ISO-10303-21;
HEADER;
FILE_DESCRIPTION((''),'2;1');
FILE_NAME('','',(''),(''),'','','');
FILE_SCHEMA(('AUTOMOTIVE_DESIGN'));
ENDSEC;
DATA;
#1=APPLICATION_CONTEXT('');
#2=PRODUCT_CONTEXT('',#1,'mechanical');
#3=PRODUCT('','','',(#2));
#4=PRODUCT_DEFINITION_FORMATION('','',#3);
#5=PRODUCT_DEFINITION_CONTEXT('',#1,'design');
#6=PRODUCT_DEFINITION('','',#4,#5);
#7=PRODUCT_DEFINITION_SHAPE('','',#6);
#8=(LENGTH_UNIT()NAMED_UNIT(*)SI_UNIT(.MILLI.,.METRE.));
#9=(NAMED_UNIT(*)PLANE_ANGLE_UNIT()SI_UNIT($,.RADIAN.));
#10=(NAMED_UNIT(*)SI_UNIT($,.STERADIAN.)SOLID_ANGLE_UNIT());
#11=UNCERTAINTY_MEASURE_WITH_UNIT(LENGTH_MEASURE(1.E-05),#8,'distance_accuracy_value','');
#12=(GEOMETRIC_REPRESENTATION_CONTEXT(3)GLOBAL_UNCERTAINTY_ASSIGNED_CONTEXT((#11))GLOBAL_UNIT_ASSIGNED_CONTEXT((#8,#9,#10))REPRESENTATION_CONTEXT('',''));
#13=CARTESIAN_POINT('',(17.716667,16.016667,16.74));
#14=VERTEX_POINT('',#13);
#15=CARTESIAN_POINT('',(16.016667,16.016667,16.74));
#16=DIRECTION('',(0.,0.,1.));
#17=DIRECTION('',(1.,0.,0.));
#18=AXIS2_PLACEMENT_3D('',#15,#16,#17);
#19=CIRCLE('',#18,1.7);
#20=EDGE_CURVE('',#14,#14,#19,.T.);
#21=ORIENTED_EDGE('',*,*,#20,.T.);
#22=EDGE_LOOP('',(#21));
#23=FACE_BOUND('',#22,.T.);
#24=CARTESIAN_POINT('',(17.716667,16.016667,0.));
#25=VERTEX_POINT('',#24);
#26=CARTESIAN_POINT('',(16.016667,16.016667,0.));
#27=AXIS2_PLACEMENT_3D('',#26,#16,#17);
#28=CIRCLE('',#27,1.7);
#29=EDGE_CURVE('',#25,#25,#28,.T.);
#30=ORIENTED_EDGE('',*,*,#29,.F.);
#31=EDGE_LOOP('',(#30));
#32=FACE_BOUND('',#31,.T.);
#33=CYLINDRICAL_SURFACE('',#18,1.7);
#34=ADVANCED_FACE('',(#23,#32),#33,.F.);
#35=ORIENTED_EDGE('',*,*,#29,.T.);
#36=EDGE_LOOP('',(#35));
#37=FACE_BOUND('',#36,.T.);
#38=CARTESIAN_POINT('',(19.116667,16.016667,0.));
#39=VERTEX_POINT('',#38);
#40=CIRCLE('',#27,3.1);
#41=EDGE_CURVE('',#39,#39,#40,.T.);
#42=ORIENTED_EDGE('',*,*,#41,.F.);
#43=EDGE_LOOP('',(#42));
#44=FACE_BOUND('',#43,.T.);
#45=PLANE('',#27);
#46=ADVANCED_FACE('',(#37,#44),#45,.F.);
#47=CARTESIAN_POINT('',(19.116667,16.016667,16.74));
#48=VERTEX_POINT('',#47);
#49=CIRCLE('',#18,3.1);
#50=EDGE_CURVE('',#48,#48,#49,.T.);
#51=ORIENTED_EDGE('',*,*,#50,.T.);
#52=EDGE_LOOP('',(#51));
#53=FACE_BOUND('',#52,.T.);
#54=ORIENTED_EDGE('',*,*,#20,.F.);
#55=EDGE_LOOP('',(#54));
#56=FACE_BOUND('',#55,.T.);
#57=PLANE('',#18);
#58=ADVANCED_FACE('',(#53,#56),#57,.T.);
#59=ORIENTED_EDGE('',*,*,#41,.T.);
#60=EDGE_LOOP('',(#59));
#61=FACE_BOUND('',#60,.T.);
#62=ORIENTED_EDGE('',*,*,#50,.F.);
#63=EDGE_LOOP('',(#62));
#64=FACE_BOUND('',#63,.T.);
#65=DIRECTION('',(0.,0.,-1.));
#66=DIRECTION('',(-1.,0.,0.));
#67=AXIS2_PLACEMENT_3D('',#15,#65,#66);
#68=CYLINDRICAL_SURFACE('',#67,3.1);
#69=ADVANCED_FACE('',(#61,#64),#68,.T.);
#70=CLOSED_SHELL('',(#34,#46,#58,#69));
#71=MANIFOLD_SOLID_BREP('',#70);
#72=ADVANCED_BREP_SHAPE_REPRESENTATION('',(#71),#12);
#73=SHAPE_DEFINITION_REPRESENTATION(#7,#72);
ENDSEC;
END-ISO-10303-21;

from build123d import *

# Parameters (mm, degrees)
ESBO_O1_R                = 3.1
ESBO_O1_R_2              = 1.55
RESSALTO_EXTRUS_O1_DEPTH = 16.74
M3_CLEARANCE_HOLE1_D     = 3.4


with BuildPart() as part:
    # Esboço1 → Ressalto-extrusão1 (new body)
    with BuildSketch(Plane.XY):
        with Locations((16.016666667, 16.016666667)):
            Circle(ESBO_O1_R)
        with Locations((16.016666667, 16.016666667)):
            Circle(ESBO_O1_R_2, mode=Mode.SUBTRACT)
    extrude(amount=RESSALTO_EXTRUS_O1_DEPTH)

    # M3 Clearance Hole1 (through all)
    with Locations(Plane(origin=(16.016666667, 16.016666667, 16.74), x_dir=(1, 0, 0), z_dir=(0, 0, 1))):
        with Locations((0, 0)):
            Hole(M3_CLEARANCE_HOLE1_D / 2)


solid = part.part
